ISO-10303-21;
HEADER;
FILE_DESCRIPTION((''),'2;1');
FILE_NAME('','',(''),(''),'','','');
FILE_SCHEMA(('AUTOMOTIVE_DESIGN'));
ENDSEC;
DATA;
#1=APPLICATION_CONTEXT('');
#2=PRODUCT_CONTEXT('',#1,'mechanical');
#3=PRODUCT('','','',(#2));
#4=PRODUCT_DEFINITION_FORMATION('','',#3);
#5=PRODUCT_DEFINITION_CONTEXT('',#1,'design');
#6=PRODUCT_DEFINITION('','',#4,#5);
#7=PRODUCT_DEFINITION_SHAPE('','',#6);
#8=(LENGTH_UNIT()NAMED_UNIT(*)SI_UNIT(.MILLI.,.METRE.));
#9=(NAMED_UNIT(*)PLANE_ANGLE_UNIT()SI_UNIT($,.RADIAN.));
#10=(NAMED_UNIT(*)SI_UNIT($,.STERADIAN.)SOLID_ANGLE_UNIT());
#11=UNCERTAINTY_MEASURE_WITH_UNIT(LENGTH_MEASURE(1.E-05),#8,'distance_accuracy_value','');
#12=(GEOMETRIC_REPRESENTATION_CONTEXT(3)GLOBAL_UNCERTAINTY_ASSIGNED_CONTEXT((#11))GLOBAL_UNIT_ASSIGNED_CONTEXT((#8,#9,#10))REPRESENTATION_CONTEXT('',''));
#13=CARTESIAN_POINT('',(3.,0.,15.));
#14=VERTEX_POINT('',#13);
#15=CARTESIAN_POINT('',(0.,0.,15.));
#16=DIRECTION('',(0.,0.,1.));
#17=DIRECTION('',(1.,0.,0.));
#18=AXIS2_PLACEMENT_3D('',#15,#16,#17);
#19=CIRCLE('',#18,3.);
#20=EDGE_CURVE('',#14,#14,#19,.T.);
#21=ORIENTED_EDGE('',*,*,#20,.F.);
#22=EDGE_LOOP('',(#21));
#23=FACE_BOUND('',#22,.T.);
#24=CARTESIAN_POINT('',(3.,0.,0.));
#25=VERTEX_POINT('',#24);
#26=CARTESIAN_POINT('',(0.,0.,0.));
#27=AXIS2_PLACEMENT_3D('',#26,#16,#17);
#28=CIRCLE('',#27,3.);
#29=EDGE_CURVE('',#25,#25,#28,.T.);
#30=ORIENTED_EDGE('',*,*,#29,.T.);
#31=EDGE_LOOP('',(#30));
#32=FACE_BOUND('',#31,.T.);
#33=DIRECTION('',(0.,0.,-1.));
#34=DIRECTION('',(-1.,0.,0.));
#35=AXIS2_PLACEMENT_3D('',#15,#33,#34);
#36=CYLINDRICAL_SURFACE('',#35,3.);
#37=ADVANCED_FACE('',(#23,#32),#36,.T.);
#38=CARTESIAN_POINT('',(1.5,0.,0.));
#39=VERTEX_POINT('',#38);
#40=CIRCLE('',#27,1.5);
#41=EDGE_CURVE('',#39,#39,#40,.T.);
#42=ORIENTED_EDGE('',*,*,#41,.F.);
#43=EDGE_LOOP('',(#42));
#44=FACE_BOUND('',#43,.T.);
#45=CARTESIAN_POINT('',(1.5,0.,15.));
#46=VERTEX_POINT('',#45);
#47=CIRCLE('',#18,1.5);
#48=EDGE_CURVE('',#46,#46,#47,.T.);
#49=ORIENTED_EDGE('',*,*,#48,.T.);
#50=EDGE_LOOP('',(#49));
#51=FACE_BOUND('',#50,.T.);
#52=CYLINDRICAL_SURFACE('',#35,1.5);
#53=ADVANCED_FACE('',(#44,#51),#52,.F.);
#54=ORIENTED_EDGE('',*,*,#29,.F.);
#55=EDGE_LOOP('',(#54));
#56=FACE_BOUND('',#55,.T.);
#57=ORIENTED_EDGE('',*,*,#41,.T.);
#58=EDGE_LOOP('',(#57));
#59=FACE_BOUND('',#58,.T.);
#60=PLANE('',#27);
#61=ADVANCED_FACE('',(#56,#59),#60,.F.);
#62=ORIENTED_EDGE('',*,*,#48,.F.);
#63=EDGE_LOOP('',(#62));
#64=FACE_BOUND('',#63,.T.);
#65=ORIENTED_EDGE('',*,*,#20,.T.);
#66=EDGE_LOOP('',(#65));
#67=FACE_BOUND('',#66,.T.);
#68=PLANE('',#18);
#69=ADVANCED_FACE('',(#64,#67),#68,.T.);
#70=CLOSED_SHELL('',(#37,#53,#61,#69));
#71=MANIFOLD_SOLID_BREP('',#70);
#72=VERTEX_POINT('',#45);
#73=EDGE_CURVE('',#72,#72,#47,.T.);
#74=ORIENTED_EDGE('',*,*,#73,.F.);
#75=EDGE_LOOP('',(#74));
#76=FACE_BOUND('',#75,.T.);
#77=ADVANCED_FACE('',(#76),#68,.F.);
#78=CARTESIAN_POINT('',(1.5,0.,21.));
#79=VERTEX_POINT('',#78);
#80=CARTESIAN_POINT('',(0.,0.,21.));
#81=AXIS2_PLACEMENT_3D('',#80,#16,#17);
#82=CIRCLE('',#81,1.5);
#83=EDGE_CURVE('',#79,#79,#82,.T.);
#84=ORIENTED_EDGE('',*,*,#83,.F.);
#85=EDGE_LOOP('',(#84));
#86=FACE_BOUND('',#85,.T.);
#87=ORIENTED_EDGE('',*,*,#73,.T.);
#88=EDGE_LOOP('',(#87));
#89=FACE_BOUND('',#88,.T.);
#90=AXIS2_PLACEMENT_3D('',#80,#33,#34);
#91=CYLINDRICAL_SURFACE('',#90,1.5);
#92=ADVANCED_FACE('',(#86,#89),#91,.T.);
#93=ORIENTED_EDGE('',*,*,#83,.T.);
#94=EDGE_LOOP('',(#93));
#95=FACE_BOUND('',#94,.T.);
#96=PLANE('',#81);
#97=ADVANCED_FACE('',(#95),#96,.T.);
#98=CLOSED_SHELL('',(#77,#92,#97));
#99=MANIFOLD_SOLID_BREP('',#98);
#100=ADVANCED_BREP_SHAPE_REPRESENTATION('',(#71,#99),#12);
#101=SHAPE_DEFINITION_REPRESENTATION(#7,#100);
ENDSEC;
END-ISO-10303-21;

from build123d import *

# Parameters (mm, degrees)
SKETCH_1_R      = 3
SKETCH_1_R_2    = 1.5
EXTRUDE_1_DEPTH = 15
SKETCH_2_R      = 1.5
EXTRUDE_2_DEPTH = 6


with BuildPart() as part:
    # 草图1 → 凸台-拉伸1 (new body)
    with BuildSketch(Plane.XY):
        Circle(SKETCH_1_R)
        Circle(SKETCH_1_R_2, mode=Mode.SUBTRACT)
    extrude(amount=EXTRUDE_1_DEPTH)


with BuildPart() as body_2:
    # 草图2 → 凸台-拉伸2 (new body)
    with BuildSketch(Plane.XY.offset(15)):
        Circle(SKETCH_2_R)
    extrude(amount=EXTRUDE_2_DEPTH)


solid = Compound([part.part, body_2.part])
